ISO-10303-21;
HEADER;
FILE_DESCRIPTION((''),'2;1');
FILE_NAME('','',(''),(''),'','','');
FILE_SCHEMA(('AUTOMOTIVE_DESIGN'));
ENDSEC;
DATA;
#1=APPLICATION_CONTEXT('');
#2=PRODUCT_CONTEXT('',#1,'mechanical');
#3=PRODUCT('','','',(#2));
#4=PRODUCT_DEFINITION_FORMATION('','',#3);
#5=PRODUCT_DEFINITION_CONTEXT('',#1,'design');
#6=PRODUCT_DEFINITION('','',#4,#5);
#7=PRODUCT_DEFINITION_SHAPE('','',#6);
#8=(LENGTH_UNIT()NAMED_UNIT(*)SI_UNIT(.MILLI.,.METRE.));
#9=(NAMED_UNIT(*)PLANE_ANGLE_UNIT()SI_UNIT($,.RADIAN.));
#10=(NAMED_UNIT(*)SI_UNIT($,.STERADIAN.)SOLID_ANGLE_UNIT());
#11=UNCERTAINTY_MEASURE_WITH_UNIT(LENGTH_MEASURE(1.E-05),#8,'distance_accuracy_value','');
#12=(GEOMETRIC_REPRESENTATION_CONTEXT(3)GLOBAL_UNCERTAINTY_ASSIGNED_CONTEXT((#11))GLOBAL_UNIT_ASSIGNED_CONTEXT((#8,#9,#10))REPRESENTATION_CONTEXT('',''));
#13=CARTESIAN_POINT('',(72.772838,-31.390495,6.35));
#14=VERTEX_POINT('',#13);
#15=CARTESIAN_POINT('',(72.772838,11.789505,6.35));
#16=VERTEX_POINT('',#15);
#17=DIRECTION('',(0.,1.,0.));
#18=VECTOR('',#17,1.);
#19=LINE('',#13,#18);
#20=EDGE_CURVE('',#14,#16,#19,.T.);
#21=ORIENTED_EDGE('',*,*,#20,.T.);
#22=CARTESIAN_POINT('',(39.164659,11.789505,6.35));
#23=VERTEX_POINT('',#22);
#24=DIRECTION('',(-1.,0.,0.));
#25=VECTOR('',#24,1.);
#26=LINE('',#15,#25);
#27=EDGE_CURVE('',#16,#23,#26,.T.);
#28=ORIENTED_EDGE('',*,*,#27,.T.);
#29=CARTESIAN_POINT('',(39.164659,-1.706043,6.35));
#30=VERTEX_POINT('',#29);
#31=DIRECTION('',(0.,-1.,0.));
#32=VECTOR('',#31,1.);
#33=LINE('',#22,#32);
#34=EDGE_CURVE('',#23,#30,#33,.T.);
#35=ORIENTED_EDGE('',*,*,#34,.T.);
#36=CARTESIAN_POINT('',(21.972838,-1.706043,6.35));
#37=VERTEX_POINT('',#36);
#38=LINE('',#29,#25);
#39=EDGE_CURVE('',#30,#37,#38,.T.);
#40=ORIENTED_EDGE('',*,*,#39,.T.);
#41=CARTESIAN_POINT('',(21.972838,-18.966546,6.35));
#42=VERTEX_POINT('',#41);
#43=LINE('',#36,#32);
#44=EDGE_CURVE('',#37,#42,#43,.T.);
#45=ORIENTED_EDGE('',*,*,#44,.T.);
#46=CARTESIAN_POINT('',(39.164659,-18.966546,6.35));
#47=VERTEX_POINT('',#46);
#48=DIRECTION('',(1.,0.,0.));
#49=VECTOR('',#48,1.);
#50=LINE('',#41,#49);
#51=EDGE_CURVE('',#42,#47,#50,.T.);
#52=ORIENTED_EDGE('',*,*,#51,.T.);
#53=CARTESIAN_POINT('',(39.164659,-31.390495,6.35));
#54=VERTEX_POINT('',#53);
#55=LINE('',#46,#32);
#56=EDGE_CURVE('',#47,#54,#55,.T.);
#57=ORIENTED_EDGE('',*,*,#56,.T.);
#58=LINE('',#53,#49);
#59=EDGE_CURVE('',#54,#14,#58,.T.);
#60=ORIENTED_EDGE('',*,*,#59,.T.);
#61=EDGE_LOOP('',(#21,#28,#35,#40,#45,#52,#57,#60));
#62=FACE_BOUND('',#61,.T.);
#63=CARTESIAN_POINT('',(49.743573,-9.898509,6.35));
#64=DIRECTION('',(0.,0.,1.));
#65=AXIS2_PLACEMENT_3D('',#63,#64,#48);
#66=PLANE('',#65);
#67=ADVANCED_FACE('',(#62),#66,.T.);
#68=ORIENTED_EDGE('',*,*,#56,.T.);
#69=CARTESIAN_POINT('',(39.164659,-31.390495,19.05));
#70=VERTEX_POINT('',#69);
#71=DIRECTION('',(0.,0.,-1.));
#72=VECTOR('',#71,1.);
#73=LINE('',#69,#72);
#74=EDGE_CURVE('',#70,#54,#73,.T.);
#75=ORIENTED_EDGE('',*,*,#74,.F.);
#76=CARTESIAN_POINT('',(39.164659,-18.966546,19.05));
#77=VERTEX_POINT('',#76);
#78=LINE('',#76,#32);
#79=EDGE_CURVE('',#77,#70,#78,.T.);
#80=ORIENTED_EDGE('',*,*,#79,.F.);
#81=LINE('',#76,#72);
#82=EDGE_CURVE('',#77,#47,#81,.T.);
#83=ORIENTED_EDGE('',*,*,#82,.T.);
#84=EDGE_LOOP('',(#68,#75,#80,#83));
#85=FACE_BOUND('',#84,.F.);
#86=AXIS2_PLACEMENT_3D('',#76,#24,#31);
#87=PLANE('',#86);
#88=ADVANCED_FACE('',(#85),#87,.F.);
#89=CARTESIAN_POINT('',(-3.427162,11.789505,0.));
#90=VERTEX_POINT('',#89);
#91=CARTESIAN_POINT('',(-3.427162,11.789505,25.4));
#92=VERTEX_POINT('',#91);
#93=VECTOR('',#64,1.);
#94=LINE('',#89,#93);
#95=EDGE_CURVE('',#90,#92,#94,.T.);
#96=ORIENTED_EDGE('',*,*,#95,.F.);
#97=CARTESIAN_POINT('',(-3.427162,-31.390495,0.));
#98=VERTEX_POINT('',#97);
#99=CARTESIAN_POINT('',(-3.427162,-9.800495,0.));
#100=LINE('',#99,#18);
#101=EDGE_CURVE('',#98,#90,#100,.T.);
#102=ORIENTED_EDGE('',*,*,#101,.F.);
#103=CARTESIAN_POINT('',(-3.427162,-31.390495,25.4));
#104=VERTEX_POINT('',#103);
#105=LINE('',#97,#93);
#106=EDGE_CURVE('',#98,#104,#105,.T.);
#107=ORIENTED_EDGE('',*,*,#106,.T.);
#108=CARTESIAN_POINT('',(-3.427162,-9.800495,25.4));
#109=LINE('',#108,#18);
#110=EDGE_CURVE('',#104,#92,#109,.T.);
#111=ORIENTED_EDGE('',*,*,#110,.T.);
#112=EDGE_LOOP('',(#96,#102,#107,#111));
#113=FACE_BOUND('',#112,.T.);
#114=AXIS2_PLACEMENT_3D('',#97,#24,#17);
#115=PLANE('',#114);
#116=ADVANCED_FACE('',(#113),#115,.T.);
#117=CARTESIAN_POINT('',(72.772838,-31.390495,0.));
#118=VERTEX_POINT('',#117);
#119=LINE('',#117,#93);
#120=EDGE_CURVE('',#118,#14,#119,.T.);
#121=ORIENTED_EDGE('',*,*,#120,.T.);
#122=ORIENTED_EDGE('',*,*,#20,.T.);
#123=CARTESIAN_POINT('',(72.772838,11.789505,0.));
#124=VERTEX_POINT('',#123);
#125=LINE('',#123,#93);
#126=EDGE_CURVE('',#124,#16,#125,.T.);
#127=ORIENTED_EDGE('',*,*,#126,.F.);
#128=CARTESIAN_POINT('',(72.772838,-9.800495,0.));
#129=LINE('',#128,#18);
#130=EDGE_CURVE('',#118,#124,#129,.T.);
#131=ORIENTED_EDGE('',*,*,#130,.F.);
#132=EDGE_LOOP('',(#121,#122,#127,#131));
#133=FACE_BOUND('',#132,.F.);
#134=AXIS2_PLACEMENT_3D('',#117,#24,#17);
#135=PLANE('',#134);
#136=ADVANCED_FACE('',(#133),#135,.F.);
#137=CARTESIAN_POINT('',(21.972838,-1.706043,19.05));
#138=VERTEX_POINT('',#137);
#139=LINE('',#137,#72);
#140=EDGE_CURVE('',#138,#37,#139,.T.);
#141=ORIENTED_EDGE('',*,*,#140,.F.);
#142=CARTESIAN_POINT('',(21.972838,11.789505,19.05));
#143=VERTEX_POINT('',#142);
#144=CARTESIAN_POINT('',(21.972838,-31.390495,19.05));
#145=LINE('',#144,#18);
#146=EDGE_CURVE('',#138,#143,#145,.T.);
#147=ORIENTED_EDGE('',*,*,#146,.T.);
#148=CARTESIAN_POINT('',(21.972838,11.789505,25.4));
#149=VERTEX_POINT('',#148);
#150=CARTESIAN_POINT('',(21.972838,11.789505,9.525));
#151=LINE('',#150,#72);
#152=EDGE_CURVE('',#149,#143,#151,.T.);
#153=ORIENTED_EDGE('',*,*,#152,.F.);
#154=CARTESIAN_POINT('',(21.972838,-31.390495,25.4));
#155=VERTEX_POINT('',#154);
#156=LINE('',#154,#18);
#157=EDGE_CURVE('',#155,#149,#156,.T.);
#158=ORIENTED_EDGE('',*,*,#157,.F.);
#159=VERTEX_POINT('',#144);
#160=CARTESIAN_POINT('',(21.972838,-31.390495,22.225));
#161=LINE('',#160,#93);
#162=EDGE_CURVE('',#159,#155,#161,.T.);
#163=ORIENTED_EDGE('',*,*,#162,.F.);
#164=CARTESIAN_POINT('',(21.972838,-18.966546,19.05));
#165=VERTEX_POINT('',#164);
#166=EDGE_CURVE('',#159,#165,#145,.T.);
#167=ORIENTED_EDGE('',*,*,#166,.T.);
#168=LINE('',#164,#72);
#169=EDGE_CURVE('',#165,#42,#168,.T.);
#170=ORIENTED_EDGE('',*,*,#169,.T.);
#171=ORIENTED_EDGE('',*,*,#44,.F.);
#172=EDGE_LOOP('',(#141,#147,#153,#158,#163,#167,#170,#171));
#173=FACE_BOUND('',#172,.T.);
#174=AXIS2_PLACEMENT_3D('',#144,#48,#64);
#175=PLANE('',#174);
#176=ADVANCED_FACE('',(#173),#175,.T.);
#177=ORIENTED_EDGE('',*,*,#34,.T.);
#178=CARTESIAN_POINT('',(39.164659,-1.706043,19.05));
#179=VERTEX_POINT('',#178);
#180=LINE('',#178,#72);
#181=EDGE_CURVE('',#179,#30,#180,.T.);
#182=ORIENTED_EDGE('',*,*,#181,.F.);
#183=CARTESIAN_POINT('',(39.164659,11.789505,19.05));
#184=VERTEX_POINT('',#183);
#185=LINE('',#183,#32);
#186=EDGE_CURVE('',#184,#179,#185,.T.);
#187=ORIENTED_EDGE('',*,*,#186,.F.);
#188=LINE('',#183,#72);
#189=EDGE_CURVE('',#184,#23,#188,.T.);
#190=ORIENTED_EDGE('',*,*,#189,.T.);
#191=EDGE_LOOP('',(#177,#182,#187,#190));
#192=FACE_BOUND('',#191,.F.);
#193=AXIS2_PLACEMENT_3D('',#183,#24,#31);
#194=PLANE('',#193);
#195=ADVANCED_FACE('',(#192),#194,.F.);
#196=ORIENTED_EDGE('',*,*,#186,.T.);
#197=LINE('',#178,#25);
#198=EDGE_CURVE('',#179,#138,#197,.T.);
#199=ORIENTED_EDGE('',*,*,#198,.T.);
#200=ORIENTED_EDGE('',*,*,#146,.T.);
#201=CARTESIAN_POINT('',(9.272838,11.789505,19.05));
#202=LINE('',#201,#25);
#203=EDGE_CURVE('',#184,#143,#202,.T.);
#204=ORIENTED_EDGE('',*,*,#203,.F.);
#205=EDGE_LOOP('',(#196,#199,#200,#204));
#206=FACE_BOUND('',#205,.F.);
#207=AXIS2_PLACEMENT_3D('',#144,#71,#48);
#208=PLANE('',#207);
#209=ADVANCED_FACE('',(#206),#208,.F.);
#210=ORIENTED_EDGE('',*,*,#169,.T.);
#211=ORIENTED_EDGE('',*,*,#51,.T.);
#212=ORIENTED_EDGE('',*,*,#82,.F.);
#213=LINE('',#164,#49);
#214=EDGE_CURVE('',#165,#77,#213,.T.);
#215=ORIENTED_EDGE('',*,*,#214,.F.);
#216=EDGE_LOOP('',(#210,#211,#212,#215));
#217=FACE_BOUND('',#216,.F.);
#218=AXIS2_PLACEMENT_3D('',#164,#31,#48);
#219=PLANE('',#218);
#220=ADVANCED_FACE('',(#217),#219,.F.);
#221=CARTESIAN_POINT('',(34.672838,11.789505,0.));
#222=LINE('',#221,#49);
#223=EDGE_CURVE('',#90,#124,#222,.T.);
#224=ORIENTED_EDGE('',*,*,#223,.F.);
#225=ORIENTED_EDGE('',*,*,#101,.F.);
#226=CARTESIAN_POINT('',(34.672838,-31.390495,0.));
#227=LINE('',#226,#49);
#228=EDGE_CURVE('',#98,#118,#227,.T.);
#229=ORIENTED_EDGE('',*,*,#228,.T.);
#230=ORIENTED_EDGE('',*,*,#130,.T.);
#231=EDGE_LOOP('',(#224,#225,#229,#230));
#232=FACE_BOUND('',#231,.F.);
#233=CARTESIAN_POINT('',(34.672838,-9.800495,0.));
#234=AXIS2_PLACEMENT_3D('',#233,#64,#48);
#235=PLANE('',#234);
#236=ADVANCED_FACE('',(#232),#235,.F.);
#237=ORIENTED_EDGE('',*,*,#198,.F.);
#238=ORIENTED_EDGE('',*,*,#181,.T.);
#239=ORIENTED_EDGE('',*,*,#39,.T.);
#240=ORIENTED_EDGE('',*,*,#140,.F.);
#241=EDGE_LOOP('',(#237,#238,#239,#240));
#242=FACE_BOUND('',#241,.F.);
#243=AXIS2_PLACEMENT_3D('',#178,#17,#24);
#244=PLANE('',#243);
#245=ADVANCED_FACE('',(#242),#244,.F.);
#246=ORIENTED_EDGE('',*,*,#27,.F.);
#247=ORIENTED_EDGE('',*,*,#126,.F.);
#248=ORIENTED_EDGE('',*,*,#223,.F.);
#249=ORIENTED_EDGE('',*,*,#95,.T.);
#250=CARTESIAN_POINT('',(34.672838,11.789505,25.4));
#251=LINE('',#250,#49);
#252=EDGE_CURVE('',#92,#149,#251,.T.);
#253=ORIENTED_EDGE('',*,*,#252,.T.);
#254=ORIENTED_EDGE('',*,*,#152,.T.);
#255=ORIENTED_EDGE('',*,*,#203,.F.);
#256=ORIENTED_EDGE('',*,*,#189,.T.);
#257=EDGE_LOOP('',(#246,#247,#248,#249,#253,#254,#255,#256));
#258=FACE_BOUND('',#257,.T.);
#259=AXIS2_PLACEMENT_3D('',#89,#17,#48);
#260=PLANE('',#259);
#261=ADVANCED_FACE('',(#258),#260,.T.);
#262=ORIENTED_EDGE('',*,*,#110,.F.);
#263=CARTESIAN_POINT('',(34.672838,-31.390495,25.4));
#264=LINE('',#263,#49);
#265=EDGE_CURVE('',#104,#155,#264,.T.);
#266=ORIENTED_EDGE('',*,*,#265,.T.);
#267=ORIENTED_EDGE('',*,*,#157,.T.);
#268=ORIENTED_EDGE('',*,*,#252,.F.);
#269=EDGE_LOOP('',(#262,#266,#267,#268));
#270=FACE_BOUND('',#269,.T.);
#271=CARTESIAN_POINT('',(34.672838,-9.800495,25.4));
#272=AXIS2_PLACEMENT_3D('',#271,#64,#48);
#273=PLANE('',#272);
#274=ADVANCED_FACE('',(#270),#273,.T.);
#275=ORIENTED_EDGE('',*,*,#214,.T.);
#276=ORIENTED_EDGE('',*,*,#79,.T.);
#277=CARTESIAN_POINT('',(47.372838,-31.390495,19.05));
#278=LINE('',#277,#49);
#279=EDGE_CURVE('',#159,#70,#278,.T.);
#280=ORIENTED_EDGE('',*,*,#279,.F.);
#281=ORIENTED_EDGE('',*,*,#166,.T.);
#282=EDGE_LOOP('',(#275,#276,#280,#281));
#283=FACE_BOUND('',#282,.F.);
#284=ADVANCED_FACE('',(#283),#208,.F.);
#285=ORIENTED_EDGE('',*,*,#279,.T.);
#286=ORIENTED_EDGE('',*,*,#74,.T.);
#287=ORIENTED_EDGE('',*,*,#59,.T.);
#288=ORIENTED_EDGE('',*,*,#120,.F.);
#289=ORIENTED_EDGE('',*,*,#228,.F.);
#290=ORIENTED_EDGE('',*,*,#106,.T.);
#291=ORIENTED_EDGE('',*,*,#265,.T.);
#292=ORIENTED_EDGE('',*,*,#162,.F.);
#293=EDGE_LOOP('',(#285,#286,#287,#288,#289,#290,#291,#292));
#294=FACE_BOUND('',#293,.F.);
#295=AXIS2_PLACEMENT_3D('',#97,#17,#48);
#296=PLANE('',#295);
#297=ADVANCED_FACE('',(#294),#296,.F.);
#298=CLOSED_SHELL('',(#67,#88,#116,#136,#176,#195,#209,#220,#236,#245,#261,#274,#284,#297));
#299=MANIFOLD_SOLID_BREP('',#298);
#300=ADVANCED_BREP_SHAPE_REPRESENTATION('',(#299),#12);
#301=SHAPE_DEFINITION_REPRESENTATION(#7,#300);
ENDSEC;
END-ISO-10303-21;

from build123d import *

# Parameters (mm, degrees)
F0_W     = 76.2
F0_H     = 43.18
F1_DEPTH = 25.4
F2_W     = 50.8
F2_H     = 6.35
F3_DEPTH = 43.181
F5_DEPTH = 12.7


with BuildPart() as f1:
    # F0 (on Top) → F1 (new body)
    with BuildSketch(Plane.XY):
        with Locations((34.672838, -9.800495)):
            Rectangle(F0_W, F0_H)
    extrude(amount=F1_DEPTH)

    # F2 (on face) → F3 (cut, through all)
    with BuildSketch(Plane.XZ.offset(31.390495)):
        with Locations((47.372838, 22.225)):
            Rectangle(F2_W, F2_H)
    extrude(amount=-F3_DEPTH, mode=Mode.SUBTRACT)

    # F4 (on face) → F5 (cut)
    with BuildSketch(Plane.XY.offset(19.05)):
        Polygon((39.164659, -1.706043), (21.972838, -1.706043), (21.972838, -18.966546), (39.164659, -18.966546), (39.164659, -31.390495), (72.772838, -31.390495), (72.772838, 11.789505), (39.164659, 11.789505), align=None)
    extrude(amount=-F5_DEPTH, mode=Mode.SUBTRACT)


solid = f1.part
